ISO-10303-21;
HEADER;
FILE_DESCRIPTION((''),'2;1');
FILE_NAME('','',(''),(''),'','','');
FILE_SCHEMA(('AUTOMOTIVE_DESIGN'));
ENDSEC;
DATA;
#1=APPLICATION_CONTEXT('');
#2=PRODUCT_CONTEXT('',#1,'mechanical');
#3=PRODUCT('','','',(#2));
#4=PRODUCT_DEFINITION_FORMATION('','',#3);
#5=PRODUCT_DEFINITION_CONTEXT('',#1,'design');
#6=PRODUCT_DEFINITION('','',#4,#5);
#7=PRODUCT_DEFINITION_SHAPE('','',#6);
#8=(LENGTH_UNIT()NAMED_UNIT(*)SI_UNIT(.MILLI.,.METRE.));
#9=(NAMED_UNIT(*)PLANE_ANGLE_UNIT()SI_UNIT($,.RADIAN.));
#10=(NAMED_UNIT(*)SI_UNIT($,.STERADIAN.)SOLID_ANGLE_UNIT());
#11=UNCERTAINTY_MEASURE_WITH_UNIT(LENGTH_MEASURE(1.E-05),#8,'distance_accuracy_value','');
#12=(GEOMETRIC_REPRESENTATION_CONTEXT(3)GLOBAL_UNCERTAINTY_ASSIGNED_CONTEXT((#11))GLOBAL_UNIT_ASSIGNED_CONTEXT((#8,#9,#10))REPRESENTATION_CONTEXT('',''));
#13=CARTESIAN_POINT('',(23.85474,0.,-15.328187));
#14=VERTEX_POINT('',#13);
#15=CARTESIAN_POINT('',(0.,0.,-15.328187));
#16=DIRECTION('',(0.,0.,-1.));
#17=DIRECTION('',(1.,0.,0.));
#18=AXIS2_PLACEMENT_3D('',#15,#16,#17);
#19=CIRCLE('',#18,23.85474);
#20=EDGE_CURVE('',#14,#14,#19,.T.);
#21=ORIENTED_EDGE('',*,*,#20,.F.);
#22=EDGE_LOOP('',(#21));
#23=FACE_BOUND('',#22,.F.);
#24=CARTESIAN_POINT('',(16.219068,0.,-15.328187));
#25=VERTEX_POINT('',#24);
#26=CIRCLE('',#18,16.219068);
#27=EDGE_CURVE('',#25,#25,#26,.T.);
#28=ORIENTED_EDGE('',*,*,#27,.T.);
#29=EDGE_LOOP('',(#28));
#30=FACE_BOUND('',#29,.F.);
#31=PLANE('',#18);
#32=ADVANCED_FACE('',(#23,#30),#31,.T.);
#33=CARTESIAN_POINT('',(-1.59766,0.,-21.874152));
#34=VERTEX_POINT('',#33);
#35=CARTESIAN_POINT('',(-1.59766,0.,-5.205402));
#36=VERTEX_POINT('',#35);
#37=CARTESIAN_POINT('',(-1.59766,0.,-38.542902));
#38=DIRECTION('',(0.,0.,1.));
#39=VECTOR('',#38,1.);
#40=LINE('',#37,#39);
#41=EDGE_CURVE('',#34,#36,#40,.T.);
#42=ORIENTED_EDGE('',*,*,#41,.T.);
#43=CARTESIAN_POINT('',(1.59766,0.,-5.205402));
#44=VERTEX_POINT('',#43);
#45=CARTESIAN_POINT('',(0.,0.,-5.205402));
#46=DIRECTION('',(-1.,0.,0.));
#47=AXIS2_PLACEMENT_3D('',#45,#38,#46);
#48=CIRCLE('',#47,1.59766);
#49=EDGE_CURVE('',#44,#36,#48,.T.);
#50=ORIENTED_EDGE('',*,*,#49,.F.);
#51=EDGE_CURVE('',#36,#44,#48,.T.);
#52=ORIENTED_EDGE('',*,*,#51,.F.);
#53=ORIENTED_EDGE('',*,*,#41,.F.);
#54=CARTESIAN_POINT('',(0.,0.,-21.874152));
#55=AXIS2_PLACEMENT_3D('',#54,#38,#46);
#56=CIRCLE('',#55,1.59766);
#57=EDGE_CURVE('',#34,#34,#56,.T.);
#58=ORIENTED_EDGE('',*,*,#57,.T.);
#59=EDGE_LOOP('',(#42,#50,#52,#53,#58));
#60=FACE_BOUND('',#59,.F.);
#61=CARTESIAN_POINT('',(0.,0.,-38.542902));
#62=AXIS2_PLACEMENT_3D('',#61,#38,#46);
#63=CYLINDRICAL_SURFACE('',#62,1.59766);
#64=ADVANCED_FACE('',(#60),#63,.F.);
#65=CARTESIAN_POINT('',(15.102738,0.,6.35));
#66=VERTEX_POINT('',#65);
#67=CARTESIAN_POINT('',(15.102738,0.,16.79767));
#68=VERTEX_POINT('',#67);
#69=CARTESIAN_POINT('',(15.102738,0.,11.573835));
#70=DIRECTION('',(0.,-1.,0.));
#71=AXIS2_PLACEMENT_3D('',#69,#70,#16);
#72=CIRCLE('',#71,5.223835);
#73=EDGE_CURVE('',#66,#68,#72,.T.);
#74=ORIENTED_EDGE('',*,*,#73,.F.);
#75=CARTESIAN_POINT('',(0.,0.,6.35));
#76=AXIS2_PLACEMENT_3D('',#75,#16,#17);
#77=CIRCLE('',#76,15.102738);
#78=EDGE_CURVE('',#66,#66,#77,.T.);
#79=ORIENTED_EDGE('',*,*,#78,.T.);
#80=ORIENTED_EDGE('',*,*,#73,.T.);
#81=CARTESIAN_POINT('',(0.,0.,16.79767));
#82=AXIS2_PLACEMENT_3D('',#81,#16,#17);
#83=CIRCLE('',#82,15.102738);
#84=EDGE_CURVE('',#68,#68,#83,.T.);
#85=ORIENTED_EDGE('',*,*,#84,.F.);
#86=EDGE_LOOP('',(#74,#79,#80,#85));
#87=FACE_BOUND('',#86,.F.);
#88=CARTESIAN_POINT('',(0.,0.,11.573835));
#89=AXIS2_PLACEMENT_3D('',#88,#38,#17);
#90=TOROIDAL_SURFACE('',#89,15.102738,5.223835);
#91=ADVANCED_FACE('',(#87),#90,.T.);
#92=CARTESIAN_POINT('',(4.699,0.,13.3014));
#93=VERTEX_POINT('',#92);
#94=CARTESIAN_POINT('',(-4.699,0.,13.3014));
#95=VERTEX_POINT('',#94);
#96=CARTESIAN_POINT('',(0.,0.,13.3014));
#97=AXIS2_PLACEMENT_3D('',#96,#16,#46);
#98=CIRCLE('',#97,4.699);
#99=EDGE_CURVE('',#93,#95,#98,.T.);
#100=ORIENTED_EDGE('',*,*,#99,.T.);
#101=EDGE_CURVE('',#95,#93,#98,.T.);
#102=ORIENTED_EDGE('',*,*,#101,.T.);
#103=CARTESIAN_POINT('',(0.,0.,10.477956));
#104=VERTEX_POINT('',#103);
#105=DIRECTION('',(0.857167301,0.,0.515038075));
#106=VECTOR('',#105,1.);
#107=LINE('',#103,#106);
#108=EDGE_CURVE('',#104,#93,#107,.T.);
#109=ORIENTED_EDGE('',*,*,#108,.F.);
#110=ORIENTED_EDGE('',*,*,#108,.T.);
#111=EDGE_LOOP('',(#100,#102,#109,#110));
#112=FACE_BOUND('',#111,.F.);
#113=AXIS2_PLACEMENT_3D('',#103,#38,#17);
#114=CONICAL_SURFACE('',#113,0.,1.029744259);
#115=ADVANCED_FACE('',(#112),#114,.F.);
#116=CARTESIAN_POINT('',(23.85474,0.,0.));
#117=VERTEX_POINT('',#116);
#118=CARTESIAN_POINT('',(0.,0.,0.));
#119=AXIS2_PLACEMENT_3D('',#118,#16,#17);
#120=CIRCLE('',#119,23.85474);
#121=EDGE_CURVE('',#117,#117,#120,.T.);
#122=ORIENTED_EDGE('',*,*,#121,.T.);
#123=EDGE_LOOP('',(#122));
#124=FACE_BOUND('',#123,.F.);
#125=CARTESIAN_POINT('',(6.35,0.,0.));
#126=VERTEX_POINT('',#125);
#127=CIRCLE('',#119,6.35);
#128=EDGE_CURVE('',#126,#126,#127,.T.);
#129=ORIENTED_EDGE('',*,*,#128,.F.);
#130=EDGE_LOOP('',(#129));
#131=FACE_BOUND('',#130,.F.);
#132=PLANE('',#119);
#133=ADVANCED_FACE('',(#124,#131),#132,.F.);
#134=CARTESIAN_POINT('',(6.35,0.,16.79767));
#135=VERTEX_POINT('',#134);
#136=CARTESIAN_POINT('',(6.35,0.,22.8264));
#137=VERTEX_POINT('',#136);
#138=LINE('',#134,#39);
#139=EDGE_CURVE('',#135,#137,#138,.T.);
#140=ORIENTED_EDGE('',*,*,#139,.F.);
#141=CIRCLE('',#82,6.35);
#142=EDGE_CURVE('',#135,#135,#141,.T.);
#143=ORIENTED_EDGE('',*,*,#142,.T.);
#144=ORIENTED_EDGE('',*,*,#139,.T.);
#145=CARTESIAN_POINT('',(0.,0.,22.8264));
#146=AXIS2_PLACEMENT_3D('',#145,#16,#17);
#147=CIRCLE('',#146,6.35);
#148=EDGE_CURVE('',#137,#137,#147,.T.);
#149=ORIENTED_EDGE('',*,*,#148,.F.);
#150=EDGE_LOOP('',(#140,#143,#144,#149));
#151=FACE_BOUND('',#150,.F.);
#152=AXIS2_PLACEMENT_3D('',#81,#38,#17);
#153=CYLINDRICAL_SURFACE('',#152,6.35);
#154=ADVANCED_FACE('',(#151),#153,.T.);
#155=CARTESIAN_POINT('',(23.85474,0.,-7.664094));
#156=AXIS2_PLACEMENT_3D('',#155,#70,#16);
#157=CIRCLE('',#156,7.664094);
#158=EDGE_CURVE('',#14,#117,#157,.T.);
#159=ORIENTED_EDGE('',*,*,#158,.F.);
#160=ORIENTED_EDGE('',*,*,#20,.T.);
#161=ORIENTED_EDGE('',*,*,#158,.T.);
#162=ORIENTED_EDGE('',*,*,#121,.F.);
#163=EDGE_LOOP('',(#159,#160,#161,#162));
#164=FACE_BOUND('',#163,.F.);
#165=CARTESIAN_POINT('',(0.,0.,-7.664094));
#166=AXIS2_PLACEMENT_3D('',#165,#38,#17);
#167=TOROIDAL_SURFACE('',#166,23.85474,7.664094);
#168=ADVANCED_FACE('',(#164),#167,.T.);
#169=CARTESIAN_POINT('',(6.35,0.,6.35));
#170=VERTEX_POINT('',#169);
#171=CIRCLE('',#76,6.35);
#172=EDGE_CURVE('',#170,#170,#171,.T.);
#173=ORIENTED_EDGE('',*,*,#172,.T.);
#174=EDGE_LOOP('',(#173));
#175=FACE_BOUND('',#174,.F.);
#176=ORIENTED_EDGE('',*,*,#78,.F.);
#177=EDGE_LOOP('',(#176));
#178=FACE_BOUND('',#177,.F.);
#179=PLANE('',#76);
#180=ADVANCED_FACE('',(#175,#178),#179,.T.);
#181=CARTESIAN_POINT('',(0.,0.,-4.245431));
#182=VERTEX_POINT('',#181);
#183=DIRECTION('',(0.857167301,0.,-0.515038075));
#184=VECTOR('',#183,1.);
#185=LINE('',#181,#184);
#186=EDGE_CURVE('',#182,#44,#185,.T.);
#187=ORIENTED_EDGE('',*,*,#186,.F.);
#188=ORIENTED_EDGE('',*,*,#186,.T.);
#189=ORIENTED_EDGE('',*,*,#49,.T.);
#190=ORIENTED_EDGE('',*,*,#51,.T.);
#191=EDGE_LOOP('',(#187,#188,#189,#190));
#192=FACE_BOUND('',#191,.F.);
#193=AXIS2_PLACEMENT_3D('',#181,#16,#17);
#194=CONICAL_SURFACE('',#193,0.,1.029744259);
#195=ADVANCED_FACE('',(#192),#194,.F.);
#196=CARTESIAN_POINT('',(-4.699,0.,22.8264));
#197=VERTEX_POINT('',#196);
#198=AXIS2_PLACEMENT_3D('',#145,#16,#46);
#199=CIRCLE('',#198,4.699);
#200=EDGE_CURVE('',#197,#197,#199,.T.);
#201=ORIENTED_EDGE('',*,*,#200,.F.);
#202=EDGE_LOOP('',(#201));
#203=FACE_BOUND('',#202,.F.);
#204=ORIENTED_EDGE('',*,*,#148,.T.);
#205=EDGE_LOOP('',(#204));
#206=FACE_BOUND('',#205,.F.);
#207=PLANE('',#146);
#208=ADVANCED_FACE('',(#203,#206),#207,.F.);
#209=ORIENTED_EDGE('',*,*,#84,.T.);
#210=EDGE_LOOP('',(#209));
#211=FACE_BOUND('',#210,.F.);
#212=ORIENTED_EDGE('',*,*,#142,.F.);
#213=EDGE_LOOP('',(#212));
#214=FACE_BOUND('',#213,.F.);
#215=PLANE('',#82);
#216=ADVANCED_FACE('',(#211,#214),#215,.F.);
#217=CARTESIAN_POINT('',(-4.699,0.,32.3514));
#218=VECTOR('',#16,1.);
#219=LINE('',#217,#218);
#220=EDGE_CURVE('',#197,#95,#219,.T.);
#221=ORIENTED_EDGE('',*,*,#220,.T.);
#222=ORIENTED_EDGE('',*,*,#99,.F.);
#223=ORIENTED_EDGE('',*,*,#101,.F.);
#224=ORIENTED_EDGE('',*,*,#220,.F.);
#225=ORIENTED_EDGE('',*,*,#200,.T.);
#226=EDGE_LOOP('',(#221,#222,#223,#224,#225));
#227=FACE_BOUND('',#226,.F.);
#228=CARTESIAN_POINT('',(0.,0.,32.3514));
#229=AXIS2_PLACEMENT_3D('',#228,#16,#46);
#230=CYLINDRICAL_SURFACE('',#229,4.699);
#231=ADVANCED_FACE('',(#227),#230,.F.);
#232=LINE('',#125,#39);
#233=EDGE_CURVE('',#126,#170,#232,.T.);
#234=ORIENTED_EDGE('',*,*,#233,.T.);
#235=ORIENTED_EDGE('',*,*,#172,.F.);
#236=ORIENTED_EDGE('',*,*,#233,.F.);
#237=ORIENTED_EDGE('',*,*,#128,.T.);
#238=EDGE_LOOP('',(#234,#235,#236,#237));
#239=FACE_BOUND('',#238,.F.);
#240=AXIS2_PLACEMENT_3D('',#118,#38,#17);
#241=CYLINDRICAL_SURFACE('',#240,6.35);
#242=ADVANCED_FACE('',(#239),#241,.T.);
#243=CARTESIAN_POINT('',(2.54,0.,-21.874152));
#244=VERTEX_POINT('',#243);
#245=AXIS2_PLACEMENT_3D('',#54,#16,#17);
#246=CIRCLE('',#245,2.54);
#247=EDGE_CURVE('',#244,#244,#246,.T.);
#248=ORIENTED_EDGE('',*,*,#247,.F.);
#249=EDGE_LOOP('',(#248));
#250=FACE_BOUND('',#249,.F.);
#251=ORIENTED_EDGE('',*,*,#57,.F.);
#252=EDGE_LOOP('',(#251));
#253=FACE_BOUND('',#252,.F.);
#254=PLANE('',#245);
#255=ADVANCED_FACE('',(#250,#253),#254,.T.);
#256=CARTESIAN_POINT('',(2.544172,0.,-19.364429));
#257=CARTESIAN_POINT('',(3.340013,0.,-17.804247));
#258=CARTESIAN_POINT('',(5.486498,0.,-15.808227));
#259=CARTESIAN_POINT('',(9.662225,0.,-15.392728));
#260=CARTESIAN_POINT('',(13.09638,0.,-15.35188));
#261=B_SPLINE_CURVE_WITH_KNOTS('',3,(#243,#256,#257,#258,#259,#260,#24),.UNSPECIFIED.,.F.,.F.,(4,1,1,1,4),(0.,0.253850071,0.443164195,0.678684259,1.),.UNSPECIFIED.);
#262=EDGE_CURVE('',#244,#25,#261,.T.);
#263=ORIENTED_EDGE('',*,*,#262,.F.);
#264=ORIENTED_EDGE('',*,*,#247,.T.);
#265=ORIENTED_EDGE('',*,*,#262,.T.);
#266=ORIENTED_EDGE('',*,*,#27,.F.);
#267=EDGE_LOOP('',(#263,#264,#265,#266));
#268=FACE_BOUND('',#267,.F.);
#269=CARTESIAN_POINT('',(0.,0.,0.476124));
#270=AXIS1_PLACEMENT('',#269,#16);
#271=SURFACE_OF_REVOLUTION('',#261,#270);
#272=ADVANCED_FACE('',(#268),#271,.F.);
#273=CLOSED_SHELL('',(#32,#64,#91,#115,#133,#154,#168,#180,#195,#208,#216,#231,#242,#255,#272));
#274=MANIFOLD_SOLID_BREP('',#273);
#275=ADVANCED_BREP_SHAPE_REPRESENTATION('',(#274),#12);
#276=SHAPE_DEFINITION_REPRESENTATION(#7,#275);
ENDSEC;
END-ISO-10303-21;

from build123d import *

# Parameters (mm, degrees)
F3_D     = 9.398
F3_DEPTH = 9.525
F3_TIP   = 2.8234440488
F5_D     = 3.19532
F5_DEPTH = 16.66875
F5_TIP   = 0.9599709766


with BuildPart() as f1:
    # F0 (on Front) → F1 (revolve)
    with BuildSketch(Plane.XZ):
        with BuildLine():
            Line((0, 22.8263996542), (0, -21.8741521218))
            Line((0, -21.8741521218), (2.54, -21.8741521218))
            add(Edge.make_bspline(
                [(2.54, -21.8741521218), (2.5441716884, -19.3644294307), (3.3400128786, -17.8042466392), (5.4864982158, -15.8082274963), (9.6622245064, -15.3927278895), (13.0963800475, -15.3518803418), (16.2190684, -15.3281874955)],
                knots=[0, 0, 0, 0, 0.2538500708, 0.4431641951, 0.6786842586, 1, 1, 1, 1], degree=3))
            Line((16.2190684, -15.3281874955), (23.8547402, -15.3281874955))
            ThreePointArc((23.8547402, -15.3281874955), (31.5188339477, -7.6640937477), (23.8547402, 0))
            Line((23.8547402, 0), (6.35, 0))
            Line((6.35, 0), (6.35, 6.35))
            Line((6.35, 6.35), (15.1027384, 6.35))
            ThreePointArc((15.1027384, 6.35), (20.3265735139, 11.5738351139), (15.1027384, 16.7976702278))
            Line((15.1027384, 16.7976702278), (6.35, 16.7976702278))
            Line((6.35, 16.7976702278), (6.35, 22.8263996542))
            Line((6.35, 22.8263996542), (0, 22.8263996542))
        make_face()
    revolve(axis=Axis((0, 0, 0.4761237662), (0, 0, -1)))

    # F3
    with Locations(Plane.XY.offset(22.8263996542)):
        with Locations((0, 0)):
            Hole(F3_D / 2, depth=F3_DEPTH)
            with Locations((0, 0, -(F3_DEPTH + F3_TIP / 2))):  # 118° drill point
                Cone(0, F3_D / 2, F3_TIP, mode=Mode.SUBTRACT)

    # F5
    with Locations(Plane(origin=(0, 0, -21.8741521218), x_dir=(1, 0, 0), z_dir=(0, 0, -1))):
        with Locations((0, 0)):
            Hole(F5_D / 2, depth=F5_DEPTH)
            with Locations((0, 0, -(F5_DEPTH + F5_TIP / 2))):  # 118° drill point
                Cone(0, F5_D / 2, F5_TIP, mode=Mode.SUBTRACT)


solid = f1.part
